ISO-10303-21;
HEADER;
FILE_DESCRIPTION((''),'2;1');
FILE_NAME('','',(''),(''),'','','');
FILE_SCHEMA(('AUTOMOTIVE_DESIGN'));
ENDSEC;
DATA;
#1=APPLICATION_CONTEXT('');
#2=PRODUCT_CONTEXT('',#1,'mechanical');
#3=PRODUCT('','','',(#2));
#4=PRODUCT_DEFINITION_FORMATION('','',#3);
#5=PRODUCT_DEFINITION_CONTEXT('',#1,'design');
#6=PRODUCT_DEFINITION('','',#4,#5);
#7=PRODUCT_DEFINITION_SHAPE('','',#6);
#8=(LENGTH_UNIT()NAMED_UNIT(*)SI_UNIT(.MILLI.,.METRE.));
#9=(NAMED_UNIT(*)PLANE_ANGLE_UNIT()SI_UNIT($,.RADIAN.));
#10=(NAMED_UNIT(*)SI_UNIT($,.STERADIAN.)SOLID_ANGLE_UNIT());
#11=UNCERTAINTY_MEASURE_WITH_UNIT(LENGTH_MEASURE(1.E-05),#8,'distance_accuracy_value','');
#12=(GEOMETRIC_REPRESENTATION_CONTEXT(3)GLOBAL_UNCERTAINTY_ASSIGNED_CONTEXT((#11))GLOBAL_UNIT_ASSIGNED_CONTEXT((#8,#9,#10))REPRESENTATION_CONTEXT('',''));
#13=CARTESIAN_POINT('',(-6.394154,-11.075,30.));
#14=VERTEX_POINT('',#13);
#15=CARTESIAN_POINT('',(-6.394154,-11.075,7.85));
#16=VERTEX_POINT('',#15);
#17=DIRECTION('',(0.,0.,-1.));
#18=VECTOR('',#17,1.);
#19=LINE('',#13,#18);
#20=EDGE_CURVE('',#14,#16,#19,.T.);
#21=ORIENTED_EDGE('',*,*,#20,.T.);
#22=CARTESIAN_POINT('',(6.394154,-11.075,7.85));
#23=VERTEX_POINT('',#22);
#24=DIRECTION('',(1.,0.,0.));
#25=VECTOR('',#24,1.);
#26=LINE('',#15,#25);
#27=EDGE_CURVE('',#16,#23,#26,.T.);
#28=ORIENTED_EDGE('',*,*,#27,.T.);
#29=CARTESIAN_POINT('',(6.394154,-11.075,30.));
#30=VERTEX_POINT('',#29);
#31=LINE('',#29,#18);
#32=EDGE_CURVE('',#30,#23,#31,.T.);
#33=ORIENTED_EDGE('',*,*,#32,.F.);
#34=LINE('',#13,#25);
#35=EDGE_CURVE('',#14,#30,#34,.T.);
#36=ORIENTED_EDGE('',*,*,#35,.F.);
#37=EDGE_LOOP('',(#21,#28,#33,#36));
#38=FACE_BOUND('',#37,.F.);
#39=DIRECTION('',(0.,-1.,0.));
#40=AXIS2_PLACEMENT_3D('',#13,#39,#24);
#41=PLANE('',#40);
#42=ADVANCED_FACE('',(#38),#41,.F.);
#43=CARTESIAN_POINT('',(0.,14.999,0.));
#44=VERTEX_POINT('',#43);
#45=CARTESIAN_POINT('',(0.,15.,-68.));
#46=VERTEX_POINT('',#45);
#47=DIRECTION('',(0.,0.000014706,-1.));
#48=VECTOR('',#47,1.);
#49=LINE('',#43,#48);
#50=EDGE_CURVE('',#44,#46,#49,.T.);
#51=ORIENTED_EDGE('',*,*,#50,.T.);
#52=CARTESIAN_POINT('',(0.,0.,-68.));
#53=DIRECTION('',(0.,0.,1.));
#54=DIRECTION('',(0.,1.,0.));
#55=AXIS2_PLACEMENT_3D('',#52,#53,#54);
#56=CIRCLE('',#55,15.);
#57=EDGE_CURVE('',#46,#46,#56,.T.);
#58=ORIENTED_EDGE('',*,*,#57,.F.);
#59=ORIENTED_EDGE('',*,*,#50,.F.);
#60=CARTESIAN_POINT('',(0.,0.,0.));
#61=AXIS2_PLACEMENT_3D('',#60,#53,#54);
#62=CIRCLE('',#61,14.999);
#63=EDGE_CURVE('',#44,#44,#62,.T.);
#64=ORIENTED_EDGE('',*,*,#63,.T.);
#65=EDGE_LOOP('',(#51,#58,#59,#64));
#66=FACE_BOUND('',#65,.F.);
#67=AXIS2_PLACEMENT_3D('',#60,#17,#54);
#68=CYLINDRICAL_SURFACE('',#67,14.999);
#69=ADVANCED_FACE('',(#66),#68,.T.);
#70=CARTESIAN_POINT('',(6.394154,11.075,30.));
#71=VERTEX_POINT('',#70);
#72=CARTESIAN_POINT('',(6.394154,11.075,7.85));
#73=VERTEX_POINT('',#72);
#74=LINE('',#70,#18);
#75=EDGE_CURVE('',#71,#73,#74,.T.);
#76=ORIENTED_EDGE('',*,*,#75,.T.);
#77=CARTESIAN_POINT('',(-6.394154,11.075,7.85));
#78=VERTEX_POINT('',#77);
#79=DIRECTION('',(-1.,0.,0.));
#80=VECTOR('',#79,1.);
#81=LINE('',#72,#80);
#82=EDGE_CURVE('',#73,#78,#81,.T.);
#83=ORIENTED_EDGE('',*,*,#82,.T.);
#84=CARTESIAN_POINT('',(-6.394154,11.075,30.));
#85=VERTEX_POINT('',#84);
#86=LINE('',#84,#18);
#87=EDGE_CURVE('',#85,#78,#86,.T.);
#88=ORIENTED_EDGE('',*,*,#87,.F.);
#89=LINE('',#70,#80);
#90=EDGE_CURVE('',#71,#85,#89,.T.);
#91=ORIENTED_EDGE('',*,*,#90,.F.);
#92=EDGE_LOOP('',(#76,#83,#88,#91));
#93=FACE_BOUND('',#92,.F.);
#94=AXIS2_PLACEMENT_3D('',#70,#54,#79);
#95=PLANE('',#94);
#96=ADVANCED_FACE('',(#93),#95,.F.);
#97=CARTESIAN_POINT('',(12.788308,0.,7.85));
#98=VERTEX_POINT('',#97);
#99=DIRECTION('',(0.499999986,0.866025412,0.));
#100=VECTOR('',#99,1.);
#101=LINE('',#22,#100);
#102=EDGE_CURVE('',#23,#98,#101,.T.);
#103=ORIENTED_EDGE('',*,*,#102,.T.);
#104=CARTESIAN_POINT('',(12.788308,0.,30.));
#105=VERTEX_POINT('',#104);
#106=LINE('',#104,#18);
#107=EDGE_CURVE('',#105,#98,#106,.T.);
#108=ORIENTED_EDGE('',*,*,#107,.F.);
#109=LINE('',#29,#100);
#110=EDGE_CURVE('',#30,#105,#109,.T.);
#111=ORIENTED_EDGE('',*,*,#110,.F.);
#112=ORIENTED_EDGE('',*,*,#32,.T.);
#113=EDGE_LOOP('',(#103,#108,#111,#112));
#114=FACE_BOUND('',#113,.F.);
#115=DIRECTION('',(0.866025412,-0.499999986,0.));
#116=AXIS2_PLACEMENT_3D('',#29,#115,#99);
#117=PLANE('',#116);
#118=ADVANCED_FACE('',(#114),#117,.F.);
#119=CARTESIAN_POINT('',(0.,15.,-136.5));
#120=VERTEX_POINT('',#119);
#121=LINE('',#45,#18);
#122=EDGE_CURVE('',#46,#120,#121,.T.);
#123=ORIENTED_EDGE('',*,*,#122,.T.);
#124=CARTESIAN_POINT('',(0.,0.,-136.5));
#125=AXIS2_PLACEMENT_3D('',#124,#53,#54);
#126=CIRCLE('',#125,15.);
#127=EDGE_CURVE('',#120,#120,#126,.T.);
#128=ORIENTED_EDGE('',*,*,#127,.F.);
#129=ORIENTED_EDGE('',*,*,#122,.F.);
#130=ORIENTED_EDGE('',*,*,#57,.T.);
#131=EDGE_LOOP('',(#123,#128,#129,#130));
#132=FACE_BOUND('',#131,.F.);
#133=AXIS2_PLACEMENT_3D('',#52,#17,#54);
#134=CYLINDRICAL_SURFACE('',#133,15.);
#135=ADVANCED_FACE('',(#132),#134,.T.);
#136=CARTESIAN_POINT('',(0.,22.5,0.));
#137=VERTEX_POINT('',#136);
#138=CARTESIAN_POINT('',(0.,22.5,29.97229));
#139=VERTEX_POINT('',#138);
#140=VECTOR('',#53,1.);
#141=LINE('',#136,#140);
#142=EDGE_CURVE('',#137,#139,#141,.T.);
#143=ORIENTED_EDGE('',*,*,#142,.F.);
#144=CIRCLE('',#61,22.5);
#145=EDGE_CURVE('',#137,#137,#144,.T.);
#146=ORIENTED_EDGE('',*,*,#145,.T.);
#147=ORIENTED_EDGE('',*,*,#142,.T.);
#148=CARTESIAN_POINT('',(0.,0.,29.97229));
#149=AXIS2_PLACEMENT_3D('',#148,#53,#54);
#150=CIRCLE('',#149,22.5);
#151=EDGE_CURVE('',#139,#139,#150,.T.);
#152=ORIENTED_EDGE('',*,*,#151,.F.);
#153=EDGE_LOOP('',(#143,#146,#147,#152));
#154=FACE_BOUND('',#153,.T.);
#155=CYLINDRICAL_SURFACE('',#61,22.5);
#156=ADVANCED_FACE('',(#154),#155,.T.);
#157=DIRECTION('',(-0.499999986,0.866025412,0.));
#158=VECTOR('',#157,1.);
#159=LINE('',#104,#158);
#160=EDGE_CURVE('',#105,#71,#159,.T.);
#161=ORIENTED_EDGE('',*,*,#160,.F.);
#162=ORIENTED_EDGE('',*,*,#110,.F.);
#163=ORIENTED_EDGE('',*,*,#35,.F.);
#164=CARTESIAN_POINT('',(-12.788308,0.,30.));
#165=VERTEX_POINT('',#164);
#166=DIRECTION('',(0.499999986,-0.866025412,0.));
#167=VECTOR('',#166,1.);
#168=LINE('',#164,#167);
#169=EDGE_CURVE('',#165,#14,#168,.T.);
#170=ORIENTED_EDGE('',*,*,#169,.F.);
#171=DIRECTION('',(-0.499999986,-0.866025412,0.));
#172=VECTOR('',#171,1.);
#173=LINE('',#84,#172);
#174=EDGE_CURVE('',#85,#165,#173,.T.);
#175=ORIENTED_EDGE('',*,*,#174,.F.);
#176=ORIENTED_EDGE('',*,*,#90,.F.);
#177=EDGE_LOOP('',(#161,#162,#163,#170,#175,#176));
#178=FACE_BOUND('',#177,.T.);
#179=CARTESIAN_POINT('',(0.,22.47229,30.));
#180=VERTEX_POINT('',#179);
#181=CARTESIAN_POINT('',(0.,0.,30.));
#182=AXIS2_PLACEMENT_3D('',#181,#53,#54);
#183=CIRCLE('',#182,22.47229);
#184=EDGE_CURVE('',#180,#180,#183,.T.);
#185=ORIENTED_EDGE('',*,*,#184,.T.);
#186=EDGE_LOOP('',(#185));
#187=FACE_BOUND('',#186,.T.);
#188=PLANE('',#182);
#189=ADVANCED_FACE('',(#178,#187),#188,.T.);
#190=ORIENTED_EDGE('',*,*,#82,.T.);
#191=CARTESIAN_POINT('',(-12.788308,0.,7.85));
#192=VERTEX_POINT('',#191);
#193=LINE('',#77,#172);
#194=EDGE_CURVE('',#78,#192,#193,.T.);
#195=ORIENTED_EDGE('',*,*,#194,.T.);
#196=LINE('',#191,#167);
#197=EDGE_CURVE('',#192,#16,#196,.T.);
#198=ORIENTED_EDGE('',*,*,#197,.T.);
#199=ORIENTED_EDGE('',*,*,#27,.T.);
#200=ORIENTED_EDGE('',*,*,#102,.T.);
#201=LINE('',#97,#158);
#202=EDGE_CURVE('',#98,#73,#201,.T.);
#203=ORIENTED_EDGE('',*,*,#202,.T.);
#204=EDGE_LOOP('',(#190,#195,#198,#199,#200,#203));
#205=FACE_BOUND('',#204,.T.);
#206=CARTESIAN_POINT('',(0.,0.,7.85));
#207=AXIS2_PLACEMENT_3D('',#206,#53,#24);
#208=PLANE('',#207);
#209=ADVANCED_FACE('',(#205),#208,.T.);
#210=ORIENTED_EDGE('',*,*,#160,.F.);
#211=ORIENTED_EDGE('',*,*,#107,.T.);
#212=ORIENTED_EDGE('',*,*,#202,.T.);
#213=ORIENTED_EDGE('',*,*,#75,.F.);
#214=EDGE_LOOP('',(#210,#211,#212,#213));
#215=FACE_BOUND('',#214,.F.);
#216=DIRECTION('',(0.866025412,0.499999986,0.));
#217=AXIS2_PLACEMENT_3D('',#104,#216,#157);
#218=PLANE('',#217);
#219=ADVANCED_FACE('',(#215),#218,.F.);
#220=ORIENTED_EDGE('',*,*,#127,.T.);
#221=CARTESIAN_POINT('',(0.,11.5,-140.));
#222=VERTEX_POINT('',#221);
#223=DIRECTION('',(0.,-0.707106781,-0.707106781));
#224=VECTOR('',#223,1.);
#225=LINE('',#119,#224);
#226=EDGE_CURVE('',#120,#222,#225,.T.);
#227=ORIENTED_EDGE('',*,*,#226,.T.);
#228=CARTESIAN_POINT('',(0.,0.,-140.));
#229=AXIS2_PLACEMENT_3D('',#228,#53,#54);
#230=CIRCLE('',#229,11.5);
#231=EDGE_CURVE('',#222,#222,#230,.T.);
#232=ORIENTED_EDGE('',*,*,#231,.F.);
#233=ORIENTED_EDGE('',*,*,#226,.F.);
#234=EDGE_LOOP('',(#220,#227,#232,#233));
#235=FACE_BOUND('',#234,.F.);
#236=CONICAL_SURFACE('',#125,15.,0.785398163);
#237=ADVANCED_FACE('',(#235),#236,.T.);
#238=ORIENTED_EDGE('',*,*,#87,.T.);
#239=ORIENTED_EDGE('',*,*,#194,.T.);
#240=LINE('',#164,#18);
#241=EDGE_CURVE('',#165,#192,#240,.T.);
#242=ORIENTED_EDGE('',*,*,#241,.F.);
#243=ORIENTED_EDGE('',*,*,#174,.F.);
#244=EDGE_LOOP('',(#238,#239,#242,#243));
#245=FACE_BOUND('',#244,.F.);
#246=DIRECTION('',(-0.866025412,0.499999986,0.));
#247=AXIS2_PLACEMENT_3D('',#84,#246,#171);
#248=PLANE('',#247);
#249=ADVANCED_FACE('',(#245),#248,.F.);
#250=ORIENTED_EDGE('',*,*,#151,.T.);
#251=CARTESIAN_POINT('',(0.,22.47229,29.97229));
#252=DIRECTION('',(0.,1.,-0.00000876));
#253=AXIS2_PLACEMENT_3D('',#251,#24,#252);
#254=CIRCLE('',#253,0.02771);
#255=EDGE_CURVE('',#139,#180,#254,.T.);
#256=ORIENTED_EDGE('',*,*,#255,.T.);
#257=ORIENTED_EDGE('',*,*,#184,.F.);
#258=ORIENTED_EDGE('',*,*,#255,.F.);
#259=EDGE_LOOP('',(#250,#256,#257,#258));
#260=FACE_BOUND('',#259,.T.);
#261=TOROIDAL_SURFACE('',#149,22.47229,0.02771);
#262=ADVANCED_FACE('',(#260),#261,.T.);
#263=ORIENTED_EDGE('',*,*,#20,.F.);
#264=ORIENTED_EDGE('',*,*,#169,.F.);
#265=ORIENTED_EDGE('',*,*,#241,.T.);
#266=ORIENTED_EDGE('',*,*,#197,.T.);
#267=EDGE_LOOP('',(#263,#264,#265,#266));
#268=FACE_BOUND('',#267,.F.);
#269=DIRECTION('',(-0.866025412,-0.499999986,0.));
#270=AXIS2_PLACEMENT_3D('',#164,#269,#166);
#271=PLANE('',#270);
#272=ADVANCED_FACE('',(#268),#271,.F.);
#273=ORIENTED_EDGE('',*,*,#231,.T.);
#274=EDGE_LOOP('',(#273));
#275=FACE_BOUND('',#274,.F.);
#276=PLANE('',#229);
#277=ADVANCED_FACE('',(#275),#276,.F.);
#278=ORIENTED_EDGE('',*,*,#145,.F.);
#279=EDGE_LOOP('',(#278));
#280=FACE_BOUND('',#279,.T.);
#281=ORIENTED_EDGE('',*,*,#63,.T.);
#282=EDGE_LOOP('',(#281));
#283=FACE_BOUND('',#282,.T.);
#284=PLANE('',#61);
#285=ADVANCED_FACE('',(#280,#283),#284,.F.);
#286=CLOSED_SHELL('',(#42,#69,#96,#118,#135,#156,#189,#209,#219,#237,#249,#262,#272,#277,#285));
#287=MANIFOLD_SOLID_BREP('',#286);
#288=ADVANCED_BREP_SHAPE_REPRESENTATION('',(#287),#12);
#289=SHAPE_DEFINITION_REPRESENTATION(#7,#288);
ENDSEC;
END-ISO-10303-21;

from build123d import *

# Parameters (mm, degrees)
POCKET_DEPTH = 22.15


with BuildPart() as part:
    # Sketch → Revolve (revolve)
    with BuildSketch(Plane.YZ):
        with BuildLine():
            Line((14.999, 0), (22.5, 0))
            Line((22.5, 0), (22.5, 29.97229))
            ThreePointArc((22.5, 29.97229), (22.491884, 29.991884), (22.47229, 30))
            Line((22.47229, 30), (0, 30))
            Line((0, -140), (0, 30))
            Line((11.5, -140), (0, -140))
            Line((15, -136.5), (11.5, -140))
            Line((15, -68), (15, -136.5))
            Line((14.999, 0), (15, -68))
        make_face()
    revolve(axis=Axis((0, 0, 0), (0, 0, 1)))

    # Sketch001 → Pocket (cut)
    with BuildSketch(Plane.XY.offset(30)):
        Polygon((12.788308, 0), (6.394154, 11.075), (-6.394154, 11.075), (-12.788308, 0), (-6.394154, -11.075), (6.394154, -11.075), align=None)
    extrude(amount=-POCKET_DEPTH, mode=Mode.SUBTRACT)


solid = part.part
